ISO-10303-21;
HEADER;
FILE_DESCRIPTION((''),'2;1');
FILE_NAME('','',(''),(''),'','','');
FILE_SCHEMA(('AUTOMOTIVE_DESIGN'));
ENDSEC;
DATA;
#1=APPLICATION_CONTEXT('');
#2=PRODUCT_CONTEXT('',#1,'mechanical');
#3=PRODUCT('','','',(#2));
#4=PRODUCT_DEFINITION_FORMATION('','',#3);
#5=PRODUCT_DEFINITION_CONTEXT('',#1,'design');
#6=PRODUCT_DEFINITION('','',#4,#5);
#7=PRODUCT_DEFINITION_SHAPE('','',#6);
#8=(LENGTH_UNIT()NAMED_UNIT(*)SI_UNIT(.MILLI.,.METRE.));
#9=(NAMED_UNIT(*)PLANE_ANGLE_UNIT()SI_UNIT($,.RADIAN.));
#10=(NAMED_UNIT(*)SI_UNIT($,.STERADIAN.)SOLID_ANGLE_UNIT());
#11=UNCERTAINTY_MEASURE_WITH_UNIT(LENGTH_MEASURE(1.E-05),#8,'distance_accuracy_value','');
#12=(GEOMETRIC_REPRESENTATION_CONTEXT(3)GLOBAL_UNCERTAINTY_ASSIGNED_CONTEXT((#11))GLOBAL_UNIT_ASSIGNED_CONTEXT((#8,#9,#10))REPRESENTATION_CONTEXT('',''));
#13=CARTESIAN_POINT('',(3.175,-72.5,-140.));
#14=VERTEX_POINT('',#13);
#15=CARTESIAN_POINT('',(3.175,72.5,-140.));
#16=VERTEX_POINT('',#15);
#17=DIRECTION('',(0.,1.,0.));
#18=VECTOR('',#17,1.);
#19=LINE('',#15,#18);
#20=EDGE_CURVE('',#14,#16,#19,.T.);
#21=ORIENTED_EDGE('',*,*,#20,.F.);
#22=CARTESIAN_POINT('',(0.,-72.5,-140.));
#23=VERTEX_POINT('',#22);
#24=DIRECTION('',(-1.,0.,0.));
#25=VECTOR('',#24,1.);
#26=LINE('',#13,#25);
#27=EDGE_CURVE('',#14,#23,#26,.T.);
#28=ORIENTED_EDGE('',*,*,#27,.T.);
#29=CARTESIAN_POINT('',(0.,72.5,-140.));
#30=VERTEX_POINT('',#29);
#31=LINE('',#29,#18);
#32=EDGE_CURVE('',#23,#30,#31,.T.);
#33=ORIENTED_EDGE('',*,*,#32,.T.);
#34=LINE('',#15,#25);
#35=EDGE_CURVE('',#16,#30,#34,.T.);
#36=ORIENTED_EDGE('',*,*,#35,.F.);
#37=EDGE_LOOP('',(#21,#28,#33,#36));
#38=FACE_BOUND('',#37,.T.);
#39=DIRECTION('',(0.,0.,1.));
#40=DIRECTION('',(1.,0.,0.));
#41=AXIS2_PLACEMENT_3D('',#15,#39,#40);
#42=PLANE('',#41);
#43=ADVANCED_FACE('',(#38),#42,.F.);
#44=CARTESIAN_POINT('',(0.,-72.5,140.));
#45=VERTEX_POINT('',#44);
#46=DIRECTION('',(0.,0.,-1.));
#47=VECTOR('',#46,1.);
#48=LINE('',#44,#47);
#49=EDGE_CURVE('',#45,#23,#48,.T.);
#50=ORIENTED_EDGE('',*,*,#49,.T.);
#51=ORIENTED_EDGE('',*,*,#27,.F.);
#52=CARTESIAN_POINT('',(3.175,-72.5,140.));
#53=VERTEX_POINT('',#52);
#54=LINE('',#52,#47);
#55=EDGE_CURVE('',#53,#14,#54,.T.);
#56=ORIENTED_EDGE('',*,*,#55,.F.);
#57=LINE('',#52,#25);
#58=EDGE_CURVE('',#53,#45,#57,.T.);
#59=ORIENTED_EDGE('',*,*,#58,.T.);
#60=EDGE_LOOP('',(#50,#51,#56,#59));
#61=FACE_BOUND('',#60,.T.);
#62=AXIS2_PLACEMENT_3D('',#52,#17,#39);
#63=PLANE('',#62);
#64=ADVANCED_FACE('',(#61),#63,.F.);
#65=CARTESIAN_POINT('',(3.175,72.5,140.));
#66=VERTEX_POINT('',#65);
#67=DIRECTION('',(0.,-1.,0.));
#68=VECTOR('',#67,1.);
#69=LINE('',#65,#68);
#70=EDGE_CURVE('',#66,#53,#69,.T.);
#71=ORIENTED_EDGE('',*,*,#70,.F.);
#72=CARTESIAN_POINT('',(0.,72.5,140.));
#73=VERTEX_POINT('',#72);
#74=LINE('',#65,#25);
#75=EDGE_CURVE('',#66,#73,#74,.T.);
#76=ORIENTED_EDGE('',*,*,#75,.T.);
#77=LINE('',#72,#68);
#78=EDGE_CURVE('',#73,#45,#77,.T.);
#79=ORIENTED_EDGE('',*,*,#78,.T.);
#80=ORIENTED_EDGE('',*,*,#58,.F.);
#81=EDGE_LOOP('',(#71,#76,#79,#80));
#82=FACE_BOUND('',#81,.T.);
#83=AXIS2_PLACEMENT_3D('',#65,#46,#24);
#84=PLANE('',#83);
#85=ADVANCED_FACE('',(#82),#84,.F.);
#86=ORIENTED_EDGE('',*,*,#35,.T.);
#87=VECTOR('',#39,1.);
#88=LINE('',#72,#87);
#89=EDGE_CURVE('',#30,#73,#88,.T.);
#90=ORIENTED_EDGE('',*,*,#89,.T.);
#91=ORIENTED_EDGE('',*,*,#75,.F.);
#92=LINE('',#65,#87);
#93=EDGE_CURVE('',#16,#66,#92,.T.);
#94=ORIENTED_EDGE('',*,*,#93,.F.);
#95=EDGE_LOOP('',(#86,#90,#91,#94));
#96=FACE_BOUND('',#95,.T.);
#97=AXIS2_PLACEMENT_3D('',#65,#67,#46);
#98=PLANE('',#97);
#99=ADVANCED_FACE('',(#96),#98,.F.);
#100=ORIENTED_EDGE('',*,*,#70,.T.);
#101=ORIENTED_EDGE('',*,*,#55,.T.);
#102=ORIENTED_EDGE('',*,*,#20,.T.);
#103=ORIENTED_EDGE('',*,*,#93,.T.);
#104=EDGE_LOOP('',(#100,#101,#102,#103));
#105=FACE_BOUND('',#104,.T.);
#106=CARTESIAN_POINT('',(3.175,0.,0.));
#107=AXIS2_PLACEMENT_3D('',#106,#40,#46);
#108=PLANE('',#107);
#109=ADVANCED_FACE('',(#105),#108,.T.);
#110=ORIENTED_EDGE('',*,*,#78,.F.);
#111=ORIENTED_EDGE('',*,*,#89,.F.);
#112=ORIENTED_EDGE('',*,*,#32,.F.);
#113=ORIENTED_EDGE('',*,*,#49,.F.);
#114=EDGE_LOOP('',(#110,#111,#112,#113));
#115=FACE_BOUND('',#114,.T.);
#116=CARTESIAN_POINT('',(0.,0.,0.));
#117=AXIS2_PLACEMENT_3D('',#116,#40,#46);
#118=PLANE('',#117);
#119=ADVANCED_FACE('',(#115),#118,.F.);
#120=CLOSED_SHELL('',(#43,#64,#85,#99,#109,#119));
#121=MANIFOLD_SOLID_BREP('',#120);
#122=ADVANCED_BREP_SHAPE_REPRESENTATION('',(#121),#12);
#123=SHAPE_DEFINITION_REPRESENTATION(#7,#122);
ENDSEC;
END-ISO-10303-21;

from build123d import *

# Parameters (mm, degrees)
ESQUISSE1_W        = 280
ESQUISSE1_H        = 145
BOSS_EXTRU_1_DEPTH = 3.175


with BuildPart() as part:
    # Esquisse1 → Boss.-Extru.1 (new body)
    with BuildSketch(Plane(origin=(0, 0, 0), x_dir=(0, 0, -1), z_dir=(1, 0, 0))):
        Rectangle(ESQUISSE1_W, ESQUISSE1_H)
    extrude(amount=BOSS_EXTRU_1_DEPTH)


solid = part.part
